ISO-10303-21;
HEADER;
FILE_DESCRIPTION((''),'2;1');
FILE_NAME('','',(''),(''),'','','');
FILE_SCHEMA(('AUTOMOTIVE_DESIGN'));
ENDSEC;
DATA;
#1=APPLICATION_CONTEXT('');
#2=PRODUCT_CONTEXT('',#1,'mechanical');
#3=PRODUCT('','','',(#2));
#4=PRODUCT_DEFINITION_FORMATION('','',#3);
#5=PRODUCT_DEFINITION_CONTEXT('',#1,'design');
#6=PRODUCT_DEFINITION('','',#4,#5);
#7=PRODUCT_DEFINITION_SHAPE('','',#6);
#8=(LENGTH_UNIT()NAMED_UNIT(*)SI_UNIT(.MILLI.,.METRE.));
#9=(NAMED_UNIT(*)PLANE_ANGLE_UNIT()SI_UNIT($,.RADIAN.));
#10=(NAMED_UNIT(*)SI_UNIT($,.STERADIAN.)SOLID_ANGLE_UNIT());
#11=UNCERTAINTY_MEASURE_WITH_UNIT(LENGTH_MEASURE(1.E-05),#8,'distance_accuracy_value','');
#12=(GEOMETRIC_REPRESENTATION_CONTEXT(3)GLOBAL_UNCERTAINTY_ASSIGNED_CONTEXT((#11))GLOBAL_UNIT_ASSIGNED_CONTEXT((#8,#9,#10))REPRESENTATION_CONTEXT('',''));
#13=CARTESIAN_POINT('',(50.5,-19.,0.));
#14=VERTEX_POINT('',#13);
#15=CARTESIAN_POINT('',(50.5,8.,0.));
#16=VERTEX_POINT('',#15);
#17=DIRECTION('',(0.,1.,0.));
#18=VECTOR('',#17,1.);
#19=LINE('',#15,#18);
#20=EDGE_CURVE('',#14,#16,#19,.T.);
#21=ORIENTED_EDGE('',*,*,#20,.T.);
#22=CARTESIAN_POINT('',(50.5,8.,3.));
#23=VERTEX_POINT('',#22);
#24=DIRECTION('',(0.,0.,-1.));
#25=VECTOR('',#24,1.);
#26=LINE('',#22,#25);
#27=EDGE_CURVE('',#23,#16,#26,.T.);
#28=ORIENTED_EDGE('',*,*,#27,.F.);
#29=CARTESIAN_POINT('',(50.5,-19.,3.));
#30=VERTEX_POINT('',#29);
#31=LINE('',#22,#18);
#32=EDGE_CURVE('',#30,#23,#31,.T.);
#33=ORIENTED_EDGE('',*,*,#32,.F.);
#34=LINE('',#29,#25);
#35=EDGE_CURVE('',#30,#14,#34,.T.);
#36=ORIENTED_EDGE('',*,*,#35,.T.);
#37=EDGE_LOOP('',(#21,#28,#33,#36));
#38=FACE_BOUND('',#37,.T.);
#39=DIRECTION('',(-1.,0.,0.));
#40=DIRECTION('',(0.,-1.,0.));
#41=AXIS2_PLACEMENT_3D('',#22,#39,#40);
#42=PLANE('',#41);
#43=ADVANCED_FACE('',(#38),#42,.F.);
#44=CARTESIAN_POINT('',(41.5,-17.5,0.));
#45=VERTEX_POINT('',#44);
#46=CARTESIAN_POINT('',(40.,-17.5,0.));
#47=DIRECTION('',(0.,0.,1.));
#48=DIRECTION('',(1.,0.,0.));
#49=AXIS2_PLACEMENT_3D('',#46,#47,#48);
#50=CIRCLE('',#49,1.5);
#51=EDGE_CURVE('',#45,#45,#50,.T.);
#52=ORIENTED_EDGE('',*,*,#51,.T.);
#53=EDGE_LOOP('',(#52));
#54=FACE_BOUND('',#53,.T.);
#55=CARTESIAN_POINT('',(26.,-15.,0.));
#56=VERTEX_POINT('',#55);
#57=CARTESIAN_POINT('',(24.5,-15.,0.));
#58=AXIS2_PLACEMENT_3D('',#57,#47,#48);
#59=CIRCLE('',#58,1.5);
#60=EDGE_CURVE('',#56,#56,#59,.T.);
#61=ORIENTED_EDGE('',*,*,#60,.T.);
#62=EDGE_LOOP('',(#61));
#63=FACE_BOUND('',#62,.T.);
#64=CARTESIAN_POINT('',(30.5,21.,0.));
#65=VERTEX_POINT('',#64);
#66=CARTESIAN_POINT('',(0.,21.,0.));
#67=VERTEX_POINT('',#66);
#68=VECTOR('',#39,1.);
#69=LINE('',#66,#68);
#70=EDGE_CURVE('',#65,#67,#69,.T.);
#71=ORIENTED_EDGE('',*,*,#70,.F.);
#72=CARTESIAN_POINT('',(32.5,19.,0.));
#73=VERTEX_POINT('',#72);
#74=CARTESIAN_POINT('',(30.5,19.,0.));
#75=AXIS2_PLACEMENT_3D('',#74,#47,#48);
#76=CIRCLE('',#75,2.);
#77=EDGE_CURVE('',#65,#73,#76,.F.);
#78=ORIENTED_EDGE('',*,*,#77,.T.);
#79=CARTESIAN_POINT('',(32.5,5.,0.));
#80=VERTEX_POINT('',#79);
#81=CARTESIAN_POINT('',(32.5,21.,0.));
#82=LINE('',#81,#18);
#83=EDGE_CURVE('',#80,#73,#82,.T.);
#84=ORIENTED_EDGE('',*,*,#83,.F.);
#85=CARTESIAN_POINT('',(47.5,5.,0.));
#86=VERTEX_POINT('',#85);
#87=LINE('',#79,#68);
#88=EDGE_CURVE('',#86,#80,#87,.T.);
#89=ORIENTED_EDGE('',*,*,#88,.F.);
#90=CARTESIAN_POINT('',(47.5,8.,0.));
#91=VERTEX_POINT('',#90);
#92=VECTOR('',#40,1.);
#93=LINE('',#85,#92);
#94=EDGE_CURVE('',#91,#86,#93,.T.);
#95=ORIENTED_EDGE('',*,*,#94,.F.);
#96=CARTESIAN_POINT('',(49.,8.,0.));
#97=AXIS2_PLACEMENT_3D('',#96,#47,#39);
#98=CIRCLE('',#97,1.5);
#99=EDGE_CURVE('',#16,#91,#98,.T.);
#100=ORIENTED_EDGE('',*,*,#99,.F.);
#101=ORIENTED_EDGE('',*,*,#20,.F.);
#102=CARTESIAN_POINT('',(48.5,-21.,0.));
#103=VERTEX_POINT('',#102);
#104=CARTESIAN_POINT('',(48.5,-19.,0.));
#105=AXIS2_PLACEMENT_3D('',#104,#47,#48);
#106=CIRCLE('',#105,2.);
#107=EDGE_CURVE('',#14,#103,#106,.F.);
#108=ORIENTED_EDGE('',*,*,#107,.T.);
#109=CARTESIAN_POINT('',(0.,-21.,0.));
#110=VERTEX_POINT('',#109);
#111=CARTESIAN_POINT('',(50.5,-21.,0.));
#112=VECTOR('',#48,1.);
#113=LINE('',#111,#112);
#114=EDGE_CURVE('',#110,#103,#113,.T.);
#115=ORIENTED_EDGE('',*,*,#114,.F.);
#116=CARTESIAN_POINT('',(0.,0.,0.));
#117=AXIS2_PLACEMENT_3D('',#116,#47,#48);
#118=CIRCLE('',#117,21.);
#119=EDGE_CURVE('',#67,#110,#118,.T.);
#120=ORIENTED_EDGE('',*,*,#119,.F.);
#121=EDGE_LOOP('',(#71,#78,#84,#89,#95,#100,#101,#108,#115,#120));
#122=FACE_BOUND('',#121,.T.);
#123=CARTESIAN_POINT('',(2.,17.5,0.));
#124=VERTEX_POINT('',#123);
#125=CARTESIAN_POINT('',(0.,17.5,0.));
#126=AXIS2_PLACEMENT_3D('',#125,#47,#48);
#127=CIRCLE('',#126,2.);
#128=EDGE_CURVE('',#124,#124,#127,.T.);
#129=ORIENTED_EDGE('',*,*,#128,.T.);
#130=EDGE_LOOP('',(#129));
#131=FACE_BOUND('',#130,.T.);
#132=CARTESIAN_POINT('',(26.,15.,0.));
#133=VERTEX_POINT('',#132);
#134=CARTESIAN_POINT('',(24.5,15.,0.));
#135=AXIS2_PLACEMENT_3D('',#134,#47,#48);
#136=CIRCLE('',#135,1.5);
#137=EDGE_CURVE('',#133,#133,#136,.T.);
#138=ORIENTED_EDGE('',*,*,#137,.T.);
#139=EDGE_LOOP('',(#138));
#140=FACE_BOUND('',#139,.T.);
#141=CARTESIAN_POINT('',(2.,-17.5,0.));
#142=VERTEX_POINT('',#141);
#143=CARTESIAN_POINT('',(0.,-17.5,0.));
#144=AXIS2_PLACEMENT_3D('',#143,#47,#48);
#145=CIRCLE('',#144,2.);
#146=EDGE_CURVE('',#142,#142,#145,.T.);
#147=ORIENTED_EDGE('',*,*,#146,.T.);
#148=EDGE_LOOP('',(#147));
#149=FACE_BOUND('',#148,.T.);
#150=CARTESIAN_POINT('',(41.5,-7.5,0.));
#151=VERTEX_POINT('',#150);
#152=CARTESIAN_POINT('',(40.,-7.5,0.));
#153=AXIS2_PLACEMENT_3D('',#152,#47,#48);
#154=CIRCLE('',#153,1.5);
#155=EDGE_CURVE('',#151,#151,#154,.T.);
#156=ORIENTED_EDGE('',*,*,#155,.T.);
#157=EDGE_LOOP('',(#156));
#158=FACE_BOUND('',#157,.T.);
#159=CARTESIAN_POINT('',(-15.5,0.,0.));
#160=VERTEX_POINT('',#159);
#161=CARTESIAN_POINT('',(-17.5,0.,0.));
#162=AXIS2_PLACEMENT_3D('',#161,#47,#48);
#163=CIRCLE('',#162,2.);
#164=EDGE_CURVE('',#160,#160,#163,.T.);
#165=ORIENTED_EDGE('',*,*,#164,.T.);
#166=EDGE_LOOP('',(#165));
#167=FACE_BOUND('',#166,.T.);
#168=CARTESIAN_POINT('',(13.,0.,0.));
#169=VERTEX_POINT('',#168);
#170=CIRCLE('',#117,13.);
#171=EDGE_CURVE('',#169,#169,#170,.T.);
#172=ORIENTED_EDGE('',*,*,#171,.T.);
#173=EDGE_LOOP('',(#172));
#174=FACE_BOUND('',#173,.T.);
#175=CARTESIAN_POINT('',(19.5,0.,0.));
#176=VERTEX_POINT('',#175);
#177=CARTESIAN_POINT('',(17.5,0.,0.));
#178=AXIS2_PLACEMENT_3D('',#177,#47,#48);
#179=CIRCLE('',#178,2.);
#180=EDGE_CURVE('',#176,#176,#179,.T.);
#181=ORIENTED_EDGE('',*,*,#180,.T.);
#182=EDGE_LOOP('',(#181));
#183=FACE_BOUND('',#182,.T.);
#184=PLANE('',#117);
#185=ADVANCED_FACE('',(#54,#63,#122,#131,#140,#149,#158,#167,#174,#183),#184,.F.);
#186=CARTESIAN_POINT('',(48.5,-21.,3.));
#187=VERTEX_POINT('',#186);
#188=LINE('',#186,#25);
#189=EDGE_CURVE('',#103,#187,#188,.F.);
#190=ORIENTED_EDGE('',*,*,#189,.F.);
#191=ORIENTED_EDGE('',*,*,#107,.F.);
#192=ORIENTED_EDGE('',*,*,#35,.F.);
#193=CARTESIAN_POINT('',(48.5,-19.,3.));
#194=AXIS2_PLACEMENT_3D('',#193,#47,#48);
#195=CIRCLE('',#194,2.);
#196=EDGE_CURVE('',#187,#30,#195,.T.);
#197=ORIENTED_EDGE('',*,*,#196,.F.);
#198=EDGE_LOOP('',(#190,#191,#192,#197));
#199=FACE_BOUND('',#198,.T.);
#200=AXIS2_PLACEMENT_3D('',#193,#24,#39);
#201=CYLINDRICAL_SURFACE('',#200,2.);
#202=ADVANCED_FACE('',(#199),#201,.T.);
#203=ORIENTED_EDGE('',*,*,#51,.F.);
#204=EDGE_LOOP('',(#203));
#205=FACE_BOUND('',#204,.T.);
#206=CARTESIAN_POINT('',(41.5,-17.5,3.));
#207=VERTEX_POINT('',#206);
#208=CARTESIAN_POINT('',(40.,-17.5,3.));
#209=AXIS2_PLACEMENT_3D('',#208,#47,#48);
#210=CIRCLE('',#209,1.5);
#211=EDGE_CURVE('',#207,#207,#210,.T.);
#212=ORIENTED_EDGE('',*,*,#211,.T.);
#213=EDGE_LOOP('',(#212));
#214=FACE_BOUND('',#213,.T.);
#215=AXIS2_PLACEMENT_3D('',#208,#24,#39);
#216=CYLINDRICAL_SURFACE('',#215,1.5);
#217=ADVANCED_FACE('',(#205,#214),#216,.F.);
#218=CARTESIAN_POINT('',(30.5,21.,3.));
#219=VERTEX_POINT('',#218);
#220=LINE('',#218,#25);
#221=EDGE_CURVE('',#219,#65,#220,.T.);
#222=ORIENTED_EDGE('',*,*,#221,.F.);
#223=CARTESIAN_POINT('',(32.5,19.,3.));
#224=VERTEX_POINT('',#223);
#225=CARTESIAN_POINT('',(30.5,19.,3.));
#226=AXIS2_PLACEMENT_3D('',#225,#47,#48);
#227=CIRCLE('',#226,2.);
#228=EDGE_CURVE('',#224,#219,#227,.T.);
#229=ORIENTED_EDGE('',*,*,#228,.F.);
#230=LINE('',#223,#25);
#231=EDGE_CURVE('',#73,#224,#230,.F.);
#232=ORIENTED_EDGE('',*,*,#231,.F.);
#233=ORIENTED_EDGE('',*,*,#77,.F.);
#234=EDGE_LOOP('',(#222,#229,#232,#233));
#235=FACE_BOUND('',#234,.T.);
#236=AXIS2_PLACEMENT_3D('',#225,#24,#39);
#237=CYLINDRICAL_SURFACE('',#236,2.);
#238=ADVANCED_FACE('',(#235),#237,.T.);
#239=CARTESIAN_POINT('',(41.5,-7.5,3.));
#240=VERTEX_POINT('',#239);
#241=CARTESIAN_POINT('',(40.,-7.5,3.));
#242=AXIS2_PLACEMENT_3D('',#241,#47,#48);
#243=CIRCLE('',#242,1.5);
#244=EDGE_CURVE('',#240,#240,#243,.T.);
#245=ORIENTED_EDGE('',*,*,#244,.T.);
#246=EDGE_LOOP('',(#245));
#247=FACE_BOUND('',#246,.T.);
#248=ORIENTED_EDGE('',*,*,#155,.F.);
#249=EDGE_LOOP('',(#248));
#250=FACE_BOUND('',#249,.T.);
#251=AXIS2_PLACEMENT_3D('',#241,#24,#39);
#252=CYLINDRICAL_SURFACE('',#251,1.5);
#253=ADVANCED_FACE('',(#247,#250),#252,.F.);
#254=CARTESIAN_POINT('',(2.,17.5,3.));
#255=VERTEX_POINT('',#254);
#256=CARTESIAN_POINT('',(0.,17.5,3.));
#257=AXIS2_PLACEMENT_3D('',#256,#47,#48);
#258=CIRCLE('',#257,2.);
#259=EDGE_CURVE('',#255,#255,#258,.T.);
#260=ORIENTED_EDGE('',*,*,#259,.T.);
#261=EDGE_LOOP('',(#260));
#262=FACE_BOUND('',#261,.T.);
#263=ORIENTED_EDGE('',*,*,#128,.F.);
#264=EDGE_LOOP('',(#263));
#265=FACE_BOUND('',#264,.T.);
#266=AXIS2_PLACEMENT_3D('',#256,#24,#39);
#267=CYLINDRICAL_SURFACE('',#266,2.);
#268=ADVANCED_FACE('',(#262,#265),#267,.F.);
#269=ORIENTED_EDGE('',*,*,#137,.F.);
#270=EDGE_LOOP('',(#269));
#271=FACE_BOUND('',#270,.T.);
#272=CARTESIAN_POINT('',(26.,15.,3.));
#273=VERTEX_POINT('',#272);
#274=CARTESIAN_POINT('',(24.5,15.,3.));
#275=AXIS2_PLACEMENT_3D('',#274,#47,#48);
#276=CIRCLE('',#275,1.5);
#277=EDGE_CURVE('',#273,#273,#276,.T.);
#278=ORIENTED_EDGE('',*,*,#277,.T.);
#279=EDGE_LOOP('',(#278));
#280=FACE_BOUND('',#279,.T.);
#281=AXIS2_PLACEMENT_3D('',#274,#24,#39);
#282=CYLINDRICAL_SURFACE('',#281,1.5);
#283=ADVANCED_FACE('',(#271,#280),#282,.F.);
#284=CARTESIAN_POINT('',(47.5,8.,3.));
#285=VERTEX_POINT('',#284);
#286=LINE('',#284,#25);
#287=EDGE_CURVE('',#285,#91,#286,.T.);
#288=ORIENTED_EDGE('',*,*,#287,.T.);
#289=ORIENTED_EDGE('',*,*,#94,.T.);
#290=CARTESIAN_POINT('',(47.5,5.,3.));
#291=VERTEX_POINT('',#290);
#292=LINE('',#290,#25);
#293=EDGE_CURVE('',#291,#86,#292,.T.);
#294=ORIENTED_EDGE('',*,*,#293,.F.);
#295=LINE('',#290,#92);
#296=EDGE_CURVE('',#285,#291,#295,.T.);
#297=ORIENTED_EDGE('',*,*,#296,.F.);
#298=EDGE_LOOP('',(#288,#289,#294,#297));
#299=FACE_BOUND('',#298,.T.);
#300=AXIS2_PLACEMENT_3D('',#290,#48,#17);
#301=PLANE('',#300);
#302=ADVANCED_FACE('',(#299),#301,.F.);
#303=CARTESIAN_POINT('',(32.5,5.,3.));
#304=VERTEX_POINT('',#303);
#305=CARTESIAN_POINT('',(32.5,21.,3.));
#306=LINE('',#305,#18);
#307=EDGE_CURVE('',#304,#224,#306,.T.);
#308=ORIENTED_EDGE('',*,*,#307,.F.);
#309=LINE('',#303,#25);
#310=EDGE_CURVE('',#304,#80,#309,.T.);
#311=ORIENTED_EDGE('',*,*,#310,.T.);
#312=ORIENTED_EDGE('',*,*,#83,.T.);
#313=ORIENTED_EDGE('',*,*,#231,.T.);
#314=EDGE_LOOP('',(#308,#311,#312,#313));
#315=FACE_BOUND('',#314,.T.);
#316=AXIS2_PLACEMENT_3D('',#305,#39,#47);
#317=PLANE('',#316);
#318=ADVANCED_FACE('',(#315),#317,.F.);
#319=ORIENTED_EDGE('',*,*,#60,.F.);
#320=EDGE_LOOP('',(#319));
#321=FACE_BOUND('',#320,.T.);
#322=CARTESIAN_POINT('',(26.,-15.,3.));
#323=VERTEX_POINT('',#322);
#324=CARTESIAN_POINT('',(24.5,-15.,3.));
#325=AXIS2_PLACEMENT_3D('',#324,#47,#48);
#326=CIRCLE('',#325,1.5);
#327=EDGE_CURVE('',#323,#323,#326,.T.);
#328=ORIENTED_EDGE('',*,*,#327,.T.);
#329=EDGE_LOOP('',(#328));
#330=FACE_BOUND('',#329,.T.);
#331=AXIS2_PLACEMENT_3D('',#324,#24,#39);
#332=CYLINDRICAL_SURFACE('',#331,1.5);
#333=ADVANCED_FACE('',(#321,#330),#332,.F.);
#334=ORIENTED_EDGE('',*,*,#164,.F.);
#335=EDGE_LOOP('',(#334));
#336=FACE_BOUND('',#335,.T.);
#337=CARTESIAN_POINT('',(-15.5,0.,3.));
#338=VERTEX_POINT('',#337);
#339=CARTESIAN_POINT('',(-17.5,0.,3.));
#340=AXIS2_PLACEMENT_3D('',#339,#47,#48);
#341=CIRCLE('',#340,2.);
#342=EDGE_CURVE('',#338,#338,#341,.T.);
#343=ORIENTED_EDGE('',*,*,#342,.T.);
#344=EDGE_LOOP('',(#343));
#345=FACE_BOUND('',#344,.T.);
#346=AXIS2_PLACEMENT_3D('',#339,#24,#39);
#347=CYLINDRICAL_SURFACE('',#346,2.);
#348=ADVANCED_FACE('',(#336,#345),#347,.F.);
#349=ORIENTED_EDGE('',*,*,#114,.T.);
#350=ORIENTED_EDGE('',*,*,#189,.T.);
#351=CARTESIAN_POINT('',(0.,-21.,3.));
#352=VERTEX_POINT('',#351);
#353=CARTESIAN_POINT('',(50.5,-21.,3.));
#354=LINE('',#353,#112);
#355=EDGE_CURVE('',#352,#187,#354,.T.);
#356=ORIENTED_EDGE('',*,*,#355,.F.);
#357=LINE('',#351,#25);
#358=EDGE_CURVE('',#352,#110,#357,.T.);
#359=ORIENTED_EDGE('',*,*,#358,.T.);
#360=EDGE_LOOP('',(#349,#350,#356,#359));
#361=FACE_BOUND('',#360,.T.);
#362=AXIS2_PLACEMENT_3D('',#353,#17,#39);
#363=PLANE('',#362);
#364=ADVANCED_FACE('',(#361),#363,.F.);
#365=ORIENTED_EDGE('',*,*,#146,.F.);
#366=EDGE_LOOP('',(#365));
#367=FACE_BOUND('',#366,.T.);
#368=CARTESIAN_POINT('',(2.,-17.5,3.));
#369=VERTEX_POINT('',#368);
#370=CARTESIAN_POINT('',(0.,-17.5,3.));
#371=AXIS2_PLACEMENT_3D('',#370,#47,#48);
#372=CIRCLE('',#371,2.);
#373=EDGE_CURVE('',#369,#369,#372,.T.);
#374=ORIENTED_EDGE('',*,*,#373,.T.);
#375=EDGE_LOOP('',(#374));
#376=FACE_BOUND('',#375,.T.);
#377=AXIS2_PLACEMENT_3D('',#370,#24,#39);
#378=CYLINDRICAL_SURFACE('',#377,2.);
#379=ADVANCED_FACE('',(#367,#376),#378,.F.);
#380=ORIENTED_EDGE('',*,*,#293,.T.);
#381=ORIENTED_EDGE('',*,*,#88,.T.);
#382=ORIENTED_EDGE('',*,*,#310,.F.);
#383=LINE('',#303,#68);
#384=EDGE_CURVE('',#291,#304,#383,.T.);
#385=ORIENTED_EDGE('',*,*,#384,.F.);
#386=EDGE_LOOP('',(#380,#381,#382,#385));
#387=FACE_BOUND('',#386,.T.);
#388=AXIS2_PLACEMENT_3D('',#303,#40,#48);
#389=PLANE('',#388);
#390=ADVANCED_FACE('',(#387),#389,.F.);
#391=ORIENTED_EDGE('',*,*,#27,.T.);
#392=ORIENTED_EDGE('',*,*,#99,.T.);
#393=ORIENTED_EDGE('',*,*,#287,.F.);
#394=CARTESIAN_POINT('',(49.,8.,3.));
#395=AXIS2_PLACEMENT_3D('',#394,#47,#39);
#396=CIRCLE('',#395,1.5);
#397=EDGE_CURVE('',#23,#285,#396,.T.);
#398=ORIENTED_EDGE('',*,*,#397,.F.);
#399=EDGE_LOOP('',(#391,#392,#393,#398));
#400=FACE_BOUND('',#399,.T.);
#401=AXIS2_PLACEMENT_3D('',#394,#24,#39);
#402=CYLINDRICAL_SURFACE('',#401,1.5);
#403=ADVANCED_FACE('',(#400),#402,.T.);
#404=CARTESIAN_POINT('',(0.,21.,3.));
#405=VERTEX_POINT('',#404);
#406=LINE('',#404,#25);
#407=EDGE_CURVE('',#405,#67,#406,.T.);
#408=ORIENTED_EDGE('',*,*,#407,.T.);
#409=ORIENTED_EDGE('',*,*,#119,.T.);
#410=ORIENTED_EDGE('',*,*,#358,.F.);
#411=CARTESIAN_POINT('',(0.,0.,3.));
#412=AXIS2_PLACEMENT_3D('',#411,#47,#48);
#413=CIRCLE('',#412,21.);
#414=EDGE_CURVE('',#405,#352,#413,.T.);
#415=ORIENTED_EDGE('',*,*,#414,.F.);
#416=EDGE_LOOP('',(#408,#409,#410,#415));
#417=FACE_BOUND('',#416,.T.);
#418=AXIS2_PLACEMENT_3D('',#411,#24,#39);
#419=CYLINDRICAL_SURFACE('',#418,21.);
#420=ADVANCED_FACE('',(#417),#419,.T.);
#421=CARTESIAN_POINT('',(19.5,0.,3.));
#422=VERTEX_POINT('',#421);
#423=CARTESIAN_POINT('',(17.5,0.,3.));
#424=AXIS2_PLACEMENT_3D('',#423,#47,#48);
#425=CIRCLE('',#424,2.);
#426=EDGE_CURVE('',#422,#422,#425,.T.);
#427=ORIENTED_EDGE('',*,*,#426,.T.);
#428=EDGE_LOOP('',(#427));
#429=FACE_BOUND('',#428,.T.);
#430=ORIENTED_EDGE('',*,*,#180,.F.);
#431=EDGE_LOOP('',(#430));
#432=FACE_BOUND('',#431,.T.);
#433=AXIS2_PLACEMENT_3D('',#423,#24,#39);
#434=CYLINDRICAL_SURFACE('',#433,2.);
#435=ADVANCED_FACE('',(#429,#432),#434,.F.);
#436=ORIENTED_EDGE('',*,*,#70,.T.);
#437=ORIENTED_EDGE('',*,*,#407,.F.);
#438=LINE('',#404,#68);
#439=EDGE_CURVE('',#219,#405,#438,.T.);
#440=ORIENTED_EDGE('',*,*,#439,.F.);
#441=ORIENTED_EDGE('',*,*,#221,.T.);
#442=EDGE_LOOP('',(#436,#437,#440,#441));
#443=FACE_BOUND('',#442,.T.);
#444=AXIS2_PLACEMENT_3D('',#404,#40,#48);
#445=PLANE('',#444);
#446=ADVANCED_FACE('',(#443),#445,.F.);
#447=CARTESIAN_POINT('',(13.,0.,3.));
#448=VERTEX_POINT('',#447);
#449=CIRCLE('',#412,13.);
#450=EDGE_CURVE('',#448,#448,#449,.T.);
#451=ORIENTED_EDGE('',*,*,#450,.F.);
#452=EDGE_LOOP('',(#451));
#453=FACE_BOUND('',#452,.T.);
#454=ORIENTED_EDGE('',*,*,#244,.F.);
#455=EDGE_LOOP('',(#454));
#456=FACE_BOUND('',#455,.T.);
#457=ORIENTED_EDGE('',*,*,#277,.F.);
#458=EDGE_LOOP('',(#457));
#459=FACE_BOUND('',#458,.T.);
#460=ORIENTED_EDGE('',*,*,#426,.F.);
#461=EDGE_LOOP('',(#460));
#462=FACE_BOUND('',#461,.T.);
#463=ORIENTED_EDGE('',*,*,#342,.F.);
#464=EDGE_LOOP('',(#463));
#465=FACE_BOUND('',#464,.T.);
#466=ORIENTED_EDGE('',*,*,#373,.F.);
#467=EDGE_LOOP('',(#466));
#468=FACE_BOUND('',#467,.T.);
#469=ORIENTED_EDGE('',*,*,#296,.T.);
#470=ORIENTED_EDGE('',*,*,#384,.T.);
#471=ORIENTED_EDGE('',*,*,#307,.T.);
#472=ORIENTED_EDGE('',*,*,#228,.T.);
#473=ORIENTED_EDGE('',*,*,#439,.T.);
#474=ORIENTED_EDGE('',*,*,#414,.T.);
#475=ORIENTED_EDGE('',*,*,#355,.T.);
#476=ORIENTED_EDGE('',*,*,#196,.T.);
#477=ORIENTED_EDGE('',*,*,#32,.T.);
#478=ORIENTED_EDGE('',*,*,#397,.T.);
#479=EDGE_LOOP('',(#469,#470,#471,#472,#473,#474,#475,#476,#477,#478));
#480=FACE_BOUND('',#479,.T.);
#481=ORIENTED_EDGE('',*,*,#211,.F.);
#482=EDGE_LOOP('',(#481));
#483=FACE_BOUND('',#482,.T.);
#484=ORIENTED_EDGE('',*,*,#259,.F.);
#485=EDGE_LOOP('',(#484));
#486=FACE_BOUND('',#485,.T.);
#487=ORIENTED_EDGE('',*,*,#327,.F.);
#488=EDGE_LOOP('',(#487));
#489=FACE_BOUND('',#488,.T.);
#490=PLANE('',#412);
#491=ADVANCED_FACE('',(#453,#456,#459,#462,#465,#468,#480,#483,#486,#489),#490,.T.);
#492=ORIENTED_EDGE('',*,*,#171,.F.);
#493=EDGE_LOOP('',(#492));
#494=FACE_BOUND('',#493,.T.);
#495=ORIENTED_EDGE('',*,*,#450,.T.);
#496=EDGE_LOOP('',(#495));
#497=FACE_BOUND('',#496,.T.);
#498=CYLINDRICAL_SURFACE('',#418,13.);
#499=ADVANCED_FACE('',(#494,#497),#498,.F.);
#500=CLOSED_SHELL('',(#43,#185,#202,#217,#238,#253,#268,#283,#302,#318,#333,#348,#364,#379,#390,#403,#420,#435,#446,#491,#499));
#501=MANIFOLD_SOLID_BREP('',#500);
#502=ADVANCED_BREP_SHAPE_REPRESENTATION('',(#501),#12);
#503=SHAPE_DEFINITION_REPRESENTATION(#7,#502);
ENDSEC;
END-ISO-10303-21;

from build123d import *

# Parameters (mm, degrees)
SKETCH_1_R      = 13
SKETCH_1_R_2    = 2
SKETCH_1_R_3    = 1.5
EXTRUDE_1_DEPTH = 3
FILLET_1_R      = 2


with BuildPart() as part:
    # 草图1 → 凸台-拉伸1 (new body)
    with BuildSketch(Plane.XY):
        with BuildLine():
            Line((0, 21), (32.5, 21))
            Line((32.5, 21), (32.5, 5))
            Line((32.5, 5), (47.5, 5))
            Line((47.5, 5), (47.5, 8))
            ThreePointArc((47.5, 8), (49, 9.5), (50.5, 8))
            Line((50.5, 8), (50.5, -21))
            Line((50.5, -21), (0, -21))
            ThreePointArc((0, -21), (-21, 0), (0, 21))
        make_face()
        Circle(SKETCH_1_R, mode=Mode.SUBTRACT)
        with Locations((17.5, 0)):
            Circle(SKETCH_1_R_2, mode=Mode.SUBTRACT)
        with Locations((0, -17.5)):
            Circle(SKETCH_1_R_2, mode=Mode.SUBTRACT)
        with Locations((-17.5, 0)):
            Circle(SKETCH_1_R_2, mode=Mode.SUBTRACT)
        with Locations((0, 17.5)):
            Circle(SKETCH_1_R_2, mode=Mode.SUBTRACT)
        with Locations((40, -7.5)):
            Circle(SKETCH_1_R_3, mode=Mode.SUBTRACT)
        with Locations((40, -17.5)):
            Circle(SKETCH_1_R_3, mode=Mode.SUBTRACT)
        with Locations((24.5, 15)):
            Circle(SKETCH_1_R_3, mode=Mode.SUBTRACT)
        with Locations((24.5, -15)):
            Circle(SKETCH_1_R_3, mode=Mode.SUBTRACT)
    extrude(amount=EXTRUDE_1_DEPTH)

    # 圆角1
    fillet_1_edges = [part.edges().sort_by_distance(p)[0] for p in [
        (32.5, 21, 1.5),
        (50.5, -21, 1.5),
    ]]
    fillet(fillet_1_edges, radius=FILLET_1_R)


solid = part.part
